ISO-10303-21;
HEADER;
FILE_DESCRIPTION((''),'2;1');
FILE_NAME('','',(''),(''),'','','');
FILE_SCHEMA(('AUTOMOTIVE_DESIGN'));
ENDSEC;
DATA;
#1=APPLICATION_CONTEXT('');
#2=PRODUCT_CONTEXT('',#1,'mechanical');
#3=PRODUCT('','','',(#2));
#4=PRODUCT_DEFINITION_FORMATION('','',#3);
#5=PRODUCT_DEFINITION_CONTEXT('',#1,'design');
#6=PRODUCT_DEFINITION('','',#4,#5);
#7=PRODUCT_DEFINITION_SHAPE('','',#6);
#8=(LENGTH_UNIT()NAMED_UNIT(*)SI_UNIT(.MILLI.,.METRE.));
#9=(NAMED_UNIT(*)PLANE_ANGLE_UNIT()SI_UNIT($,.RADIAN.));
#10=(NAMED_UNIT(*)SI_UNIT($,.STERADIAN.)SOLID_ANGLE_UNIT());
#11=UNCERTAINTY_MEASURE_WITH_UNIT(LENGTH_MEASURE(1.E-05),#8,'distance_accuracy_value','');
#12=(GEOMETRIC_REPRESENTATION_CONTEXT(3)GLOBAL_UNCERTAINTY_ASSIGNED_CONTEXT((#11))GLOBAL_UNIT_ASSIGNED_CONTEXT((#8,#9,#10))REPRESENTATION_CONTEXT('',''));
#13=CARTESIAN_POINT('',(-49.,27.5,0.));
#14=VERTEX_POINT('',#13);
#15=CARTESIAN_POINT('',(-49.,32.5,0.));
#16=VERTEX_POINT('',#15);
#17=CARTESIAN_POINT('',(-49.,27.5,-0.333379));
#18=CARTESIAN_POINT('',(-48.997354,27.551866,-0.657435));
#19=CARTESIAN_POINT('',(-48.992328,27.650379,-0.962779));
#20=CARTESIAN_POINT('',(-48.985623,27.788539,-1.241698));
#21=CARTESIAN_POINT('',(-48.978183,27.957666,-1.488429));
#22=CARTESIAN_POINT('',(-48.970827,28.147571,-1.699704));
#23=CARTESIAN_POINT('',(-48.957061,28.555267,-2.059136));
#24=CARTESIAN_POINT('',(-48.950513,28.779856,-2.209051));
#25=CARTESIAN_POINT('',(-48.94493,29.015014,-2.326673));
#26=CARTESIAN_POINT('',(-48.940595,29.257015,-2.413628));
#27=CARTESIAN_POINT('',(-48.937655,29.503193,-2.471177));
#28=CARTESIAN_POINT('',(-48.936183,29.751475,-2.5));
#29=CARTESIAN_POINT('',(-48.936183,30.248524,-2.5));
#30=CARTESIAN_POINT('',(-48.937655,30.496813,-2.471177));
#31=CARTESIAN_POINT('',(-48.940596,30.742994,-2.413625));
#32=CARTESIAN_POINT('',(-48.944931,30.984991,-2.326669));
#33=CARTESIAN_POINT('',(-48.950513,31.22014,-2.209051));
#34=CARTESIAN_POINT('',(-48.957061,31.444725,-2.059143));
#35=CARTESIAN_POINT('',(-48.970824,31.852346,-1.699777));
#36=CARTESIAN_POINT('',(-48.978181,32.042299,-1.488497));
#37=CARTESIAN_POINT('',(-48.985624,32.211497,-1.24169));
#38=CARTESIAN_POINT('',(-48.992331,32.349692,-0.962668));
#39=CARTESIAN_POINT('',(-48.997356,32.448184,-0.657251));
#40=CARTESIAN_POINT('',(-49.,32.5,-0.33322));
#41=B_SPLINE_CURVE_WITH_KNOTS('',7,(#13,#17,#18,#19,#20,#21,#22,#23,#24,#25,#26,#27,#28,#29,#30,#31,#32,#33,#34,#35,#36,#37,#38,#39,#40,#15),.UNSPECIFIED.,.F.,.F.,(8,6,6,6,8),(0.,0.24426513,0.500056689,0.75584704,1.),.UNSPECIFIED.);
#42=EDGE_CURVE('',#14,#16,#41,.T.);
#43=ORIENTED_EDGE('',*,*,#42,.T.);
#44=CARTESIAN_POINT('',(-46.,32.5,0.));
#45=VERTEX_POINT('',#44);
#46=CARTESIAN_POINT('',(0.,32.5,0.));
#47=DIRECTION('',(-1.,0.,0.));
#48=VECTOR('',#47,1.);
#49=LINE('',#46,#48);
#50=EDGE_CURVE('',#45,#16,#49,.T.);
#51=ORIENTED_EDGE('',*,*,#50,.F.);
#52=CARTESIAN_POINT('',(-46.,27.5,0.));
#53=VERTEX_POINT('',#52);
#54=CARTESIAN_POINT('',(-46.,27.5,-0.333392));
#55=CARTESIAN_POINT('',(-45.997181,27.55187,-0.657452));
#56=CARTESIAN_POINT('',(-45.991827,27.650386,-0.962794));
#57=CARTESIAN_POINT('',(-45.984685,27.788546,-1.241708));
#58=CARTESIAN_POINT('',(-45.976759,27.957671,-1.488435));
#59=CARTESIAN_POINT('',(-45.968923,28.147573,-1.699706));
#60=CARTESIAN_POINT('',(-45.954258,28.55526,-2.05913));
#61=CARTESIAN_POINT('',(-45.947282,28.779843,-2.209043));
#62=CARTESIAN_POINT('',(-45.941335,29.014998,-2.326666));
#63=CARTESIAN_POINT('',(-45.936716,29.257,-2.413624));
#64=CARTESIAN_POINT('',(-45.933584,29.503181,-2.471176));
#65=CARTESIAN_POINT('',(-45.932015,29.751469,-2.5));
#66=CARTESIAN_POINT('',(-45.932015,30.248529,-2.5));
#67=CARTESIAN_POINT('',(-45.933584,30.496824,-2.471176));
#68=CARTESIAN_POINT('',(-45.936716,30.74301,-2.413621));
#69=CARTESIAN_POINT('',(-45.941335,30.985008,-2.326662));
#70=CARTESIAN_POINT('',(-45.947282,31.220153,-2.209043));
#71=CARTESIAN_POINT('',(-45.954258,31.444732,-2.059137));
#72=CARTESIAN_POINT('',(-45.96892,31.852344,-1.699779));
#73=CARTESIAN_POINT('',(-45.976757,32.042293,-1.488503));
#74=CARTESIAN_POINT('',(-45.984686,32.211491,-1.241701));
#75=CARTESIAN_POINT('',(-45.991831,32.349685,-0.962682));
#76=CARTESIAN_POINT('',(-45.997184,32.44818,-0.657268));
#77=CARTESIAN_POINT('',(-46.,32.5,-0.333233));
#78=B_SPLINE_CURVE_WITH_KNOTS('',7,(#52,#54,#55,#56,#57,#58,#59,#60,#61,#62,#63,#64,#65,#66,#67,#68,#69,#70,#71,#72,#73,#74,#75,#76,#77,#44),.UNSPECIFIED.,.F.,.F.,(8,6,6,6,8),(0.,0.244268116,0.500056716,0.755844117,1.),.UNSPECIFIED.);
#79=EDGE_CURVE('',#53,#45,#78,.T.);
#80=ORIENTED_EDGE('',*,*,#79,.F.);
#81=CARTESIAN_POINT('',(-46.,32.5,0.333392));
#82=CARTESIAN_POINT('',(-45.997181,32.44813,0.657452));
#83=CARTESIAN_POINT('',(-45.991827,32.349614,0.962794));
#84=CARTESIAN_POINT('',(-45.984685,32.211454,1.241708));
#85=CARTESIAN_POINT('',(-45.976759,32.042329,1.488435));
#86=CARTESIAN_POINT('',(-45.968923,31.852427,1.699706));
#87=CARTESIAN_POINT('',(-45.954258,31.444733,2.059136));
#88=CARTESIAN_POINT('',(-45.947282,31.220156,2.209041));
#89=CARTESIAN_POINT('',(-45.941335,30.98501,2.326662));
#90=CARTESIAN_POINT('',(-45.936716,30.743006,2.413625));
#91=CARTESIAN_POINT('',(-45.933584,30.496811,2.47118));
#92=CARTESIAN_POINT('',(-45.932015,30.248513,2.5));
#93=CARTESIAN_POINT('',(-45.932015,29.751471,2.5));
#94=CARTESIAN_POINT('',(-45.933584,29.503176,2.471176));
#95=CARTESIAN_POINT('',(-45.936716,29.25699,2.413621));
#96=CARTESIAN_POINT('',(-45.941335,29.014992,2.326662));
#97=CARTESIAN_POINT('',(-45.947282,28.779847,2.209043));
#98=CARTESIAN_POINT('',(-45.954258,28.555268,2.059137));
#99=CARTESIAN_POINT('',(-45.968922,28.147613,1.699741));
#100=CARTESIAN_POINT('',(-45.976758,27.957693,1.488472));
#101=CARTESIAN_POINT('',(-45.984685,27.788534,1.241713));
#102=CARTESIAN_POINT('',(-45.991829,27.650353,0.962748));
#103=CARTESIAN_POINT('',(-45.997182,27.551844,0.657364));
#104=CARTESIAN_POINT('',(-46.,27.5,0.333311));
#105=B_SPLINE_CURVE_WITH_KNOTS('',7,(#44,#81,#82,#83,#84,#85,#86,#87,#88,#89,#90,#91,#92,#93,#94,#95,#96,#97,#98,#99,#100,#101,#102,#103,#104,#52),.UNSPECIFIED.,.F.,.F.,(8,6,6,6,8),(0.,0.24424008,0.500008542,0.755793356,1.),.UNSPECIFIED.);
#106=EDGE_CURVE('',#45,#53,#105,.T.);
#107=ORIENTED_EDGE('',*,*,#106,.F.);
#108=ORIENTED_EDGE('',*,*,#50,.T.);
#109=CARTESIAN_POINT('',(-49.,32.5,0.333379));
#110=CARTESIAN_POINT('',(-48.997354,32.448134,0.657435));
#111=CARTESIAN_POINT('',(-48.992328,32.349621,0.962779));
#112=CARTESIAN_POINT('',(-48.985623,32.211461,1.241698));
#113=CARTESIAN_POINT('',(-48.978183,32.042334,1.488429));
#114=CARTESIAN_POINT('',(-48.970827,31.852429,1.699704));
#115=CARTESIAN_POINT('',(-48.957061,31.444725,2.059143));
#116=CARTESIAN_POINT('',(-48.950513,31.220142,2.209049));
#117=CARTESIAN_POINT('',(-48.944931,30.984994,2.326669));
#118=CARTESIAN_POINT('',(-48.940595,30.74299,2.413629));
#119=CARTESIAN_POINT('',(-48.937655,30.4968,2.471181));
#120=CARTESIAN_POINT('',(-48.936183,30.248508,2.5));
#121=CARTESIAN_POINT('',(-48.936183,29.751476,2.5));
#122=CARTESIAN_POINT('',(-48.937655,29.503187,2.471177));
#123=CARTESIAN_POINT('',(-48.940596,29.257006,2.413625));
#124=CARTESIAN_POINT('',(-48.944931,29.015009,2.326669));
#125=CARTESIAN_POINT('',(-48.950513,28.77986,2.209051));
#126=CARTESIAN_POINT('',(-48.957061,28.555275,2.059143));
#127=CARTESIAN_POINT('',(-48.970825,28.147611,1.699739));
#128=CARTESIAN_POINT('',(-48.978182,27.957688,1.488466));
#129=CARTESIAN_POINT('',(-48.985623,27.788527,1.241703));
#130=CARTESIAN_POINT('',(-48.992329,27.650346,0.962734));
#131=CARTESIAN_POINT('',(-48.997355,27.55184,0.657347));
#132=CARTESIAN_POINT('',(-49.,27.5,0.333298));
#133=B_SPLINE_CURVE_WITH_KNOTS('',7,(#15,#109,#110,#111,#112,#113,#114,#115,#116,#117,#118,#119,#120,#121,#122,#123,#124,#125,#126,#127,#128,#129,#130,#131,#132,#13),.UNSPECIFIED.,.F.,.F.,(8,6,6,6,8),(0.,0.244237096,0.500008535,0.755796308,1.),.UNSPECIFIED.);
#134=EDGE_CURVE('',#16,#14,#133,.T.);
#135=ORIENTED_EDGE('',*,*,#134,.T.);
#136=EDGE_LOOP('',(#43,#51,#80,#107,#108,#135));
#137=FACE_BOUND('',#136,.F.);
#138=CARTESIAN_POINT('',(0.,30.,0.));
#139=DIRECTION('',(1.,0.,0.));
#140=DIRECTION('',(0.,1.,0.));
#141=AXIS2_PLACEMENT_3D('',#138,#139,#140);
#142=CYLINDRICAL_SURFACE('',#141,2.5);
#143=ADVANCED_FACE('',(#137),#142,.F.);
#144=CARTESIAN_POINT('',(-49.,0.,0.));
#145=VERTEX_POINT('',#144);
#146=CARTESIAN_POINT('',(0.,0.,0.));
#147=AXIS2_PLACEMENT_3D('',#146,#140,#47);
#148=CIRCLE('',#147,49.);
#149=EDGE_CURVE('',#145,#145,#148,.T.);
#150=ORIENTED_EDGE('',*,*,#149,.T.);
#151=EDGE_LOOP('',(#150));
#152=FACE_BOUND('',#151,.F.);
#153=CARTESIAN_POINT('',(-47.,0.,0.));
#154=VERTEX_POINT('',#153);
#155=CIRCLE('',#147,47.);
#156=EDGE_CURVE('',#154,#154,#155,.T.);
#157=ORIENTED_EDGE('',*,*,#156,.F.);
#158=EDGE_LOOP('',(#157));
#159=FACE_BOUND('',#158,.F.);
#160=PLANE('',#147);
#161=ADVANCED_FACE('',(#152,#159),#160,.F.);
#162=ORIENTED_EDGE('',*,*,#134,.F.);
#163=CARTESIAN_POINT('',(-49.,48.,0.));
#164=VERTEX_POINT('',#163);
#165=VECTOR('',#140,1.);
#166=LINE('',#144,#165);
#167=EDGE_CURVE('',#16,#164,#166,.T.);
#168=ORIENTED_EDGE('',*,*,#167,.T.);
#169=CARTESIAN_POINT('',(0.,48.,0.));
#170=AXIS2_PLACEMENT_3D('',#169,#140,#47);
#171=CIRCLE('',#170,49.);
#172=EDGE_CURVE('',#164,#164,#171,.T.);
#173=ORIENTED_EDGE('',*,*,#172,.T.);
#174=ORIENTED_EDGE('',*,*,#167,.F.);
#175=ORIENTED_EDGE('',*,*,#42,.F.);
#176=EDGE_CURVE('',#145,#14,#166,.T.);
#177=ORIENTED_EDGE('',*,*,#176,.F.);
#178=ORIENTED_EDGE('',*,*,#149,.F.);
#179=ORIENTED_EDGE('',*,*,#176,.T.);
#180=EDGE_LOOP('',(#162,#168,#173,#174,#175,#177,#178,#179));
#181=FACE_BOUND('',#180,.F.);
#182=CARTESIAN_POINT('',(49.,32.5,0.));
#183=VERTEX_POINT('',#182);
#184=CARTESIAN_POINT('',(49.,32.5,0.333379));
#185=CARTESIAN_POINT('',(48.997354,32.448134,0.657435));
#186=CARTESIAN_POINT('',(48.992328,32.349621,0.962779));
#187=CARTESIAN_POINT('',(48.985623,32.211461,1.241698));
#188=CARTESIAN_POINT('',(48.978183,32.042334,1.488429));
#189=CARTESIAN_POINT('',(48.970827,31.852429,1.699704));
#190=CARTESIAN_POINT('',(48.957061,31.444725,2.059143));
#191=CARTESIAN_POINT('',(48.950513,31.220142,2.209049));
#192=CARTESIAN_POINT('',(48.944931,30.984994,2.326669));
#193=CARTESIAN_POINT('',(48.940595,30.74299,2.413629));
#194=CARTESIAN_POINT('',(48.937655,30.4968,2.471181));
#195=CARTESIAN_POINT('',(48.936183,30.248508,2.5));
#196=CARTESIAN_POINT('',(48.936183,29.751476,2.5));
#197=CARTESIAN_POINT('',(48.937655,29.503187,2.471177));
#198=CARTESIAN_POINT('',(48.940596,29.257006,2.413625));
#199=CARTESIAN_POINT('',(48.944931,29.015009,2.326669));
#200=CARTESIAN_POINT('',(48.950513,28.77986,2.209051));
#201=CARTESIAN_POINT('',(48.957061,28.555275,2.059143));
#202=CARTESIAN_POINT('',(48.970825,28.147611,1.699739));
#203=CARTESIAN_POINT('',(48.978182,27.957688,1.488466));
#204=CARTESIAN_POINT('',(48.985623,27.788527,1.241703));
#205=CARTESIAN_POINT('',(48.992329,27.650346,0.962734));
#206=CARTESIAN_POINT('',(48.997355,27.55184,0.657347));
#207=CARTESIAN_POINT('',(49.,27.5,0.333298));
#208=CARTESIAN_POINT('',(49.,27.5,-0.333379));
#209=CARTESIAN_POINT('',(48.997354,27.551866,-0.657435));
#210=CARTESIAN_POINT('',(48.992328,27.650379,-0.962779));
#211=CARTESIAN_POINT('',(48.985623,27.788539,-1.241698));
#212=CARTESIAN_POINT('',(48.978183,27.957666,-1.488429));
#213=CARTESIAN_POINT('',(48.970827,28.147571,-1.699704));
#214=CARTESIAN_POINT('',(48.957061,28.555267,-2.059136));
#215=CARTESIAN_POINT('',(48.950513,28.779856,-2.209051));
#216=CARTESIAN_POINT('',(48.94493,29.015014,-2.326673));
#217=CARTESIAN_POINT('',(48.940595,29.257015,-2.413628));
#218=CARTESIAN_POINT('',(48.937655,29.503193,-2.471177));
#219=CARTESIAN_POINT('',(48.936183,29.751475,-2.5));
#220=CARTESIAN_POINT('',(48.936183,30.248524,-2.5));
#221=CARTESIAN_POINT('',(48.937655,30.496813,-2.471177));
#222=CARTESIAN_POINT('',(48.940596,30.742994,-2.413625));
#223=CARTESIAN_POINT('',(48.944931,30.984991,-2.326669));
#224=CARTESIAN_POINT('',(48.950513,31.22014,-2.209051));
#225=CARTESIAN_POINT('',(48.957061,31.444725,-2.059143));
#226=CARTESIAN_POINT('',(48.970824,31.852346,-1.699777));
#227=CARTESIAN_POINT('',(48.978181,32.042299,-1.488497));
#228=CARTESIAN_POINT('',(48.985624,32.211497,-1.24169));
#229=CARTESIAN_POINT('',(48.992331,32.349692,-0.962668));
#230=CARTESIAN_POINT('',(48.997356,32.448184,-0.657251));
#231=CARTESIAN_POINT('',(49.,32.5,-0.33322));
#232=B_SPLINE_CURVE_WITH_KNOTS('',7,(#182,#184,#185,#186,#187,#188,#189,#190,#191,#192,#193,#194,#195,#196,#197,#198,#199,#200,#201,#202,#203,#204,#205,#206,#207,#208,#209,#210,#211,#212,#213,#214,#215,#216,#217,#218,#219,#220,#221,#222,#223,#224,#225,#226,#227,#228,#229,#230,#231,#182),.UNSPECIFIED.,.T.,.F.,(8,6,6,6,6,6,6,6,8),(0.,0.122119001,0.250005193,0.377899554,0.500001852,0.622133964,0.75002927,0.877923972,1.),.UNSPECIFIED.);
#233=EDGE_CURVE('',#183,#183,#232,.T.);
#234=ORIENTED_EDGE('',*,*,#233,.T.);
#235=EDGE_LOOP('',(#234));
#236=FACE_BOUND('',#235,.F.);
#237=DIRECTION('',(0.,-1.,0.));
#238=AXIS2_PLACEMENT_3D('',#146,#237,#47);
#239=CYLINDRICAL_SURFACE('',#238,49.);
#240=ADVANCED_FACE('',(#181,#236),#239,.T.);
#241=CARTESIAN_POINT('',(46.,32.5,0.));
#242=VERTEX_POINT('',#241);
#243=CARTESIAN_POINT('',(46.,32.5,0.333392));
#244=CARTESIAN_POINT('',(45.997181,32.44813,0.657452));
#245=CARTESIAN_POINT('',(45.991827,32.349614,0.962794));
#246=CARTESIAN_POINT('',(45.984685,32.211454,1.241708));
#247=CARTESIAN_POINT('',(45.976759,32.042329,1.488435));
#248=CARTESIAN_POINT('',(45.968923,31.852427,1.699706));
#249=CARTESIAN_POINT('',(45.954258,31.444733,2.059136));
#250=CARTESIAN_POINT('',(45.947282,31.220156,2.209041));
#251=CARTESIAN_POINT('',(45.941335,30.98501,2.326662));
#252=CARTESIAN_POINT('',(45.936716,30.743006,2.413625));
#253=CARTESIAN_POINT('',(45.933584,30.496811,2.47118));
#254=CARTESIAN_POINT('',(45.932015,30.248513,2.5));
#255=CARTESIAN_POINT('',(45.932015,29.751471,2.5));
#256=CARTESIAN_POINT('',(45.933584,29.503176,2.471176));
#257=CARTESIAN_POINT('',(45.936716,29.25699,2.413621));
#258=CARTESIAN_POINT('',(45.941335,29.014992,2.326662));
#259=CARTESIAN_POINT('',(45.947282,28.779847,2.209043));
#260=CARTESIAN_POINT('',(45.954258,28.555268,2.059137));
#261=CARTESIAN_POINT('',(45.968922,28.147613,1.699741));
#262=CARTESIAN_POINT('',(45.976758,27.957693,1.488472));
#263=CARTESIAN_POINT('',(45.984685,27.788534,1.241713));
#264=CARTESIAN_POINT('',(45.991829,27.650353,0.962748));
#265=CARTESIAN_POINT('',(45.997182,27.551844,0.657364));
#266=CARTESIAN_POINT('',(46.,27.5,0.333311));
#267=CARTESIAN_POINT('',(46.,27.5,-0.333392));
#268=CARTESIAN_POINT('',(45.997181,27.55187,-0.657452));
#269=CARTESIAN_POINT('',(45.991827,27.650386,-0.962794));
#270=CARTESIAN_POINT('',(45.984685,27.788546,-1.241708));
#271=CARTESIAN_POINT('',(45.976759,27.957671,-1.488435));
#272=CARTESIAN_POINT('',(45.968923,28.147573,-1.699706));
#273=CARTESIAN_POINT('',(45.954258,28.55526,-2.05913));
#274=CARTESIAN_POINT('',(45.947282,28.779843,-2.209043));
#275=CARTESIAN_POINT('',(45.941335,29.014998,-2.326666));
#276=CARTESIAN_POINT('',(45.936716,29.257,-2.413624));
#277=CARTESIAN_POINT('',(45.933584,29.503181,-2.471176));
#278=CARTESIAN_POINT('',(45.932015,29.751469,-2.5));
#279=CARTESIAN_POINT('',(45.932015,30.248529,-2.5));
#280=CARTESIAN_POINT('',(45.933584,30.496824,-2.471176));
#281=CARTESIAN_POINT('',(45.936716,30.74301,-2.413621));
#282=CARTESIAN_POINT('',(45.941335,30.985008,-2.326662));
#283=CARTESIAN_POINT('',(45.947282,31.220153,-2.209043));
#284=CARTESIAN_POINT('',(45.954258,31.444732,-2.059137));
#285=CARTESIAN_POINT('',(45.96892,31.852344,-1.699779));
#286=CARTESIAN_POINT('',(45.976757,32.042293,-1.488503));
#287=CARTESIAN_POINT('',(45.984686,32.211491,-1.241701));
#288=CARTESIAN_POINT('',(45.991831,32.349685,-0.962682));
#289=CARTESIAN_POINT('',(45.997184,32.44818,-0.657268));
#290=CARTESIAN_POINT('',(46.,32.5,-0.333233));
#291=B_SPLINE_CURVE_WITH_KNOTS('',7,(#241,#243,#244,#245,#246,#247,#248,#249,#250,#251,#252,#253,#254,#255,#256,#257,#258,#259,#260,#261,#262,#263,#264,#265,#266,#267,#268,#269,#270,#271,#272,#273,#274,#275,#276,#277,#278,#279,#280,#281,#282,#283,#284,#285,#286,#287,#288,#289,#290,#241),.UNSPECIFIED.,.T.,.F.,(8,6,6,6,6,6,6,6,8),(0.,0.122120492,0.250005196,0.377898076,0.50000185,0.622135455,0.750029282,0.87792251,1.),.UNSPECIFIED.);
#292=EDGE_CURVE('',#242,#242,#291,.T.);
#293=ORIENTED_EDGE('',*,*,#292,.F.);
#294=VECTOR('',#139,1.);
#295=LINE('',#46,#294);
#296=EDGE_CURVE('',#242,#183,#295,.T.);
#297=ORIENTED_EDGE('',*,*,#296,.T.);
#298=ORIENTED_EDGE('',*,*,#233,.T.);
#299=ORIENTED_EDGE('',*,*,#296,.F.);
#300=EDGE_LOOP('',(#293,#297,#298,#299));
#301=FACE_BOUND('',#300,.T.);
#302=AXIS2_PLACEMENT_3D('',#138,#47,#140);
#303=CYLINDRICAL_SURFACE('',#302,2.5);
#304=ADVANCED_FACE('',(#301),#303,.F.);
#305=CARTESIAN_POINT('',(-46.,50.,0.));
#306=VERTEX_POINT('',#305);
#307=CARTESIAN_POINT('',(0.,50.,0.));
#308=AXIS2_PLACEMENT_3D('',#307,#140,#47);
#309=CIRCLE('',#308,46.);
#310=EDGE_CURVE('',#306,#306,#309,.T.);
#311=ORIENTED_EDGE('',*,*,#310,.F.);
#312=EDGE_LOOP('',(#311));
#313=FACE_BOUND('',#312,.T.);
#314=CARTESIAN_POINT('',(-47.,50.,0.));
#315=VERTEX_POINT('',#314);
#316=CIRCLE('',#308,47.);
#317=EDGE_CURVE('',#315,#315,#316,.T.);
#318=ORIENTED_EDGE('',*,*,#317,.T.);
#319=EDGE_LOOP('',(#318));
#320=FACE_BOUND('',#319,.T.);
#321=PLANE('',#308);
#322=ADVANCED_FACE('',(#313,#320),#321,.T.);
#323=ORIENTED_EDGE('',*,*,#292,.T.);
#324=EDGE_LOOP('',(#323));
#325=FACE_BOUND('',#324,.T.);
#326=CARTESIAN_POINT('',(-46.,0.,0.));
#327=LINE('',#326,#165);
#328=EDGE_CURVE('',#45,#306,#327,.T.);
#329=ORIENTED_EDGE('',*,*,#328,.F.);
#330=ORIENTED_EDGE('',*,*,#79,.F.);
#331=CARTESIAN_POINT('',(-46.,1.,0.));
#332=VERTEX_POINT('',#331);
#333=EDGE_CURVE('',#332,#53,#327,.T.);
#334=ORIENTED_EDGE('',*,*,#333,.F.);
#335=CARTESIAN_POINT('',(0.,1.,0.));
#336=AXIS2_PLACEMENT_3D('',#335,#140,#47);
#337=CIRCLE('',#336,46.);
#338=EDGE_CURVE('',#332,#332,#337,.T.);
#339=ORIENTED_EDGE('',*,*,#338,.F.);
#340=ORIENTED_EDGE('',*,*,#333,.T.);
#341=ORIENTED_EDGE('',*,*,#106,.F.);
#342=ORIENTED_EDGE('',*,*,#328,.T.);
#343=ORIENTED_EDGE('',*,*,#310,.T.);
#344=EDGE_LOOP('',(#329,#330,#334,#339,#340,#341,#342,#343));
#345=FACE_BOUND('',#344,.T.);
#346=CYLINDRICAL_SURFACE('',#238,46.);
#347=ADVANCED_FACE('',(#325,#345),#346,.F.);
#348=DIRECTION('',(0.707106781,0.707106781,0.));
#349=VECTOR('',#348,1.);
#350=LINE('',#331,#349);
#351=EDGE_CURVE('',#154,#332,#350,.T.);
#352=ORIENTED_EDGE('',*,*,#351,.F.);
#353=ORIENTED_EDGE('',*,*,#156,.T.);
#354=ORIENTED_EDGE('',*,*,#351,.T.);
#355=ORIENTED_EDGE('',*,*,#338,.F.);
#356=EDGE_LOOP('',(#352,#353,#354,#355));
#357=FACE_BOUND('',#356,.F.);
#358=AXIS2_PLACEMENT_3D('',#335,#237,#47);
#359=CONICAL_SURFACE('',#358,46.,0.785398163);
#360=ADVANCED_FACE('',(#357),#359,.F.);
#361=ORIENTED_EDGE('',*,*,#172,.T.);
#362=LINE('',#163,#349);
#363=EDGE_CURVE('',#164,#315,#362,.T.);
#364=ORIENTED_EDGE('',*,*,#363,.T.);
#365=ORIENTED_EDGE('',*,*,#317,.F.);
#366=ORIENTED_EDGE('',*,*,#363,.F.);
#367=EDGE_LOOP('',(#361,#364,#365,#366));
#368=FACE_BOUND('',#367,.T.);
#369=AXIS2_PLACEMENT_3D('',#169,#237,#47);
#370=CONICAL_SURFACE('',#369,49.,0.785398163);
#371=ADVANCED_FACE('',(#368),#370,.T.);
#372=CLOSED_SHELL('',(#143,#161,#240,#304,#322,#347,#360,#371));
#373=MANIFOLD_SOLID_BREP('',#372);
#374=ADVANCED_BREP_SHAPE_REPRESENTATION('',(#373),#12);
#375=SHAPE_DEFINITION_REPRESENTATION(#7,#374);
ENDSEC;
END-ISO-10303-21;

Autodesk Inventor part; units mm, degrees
ref_plane "YZ Plane" through (0, 0, 0) normal (1, 0, 0) x (0, 1, 0)
ref_plane "XZ Plane" through (0, 0, 0) normal (0, 1, 0) x (-1, 0, 0)
ref_plane "XY Plane" through (0, 0, 0) normal (0, 0, 1) x (1, 0, 0)
sketch "Sketch1" plane through (0, 0, 0) normal (0, 1, 0) x (-1, 0, 0)
  circle A0 centre (0, 0) radius 46
  circle A1 centre (0, 0) radius 49
  dimension "d0" = 92
  dimension "d1" = 98
extrude "Extrusion1" add sketch "Sketch1" along normal blind 50
chamfer "Chamfer1" distance 2 angle 45 1 edges at (49, 50, 0)
chamfer "Chamfer2" distance 1 angle 45 1 edges at (46, 0, 0)
sketch "Sketch2" plane through (0, 0, 0) normal (1, 0, 0) x (0, 1, 0)
  circle A0 centre (30, 0) radius 2.5
  line L0 (50, 46) -> (50, -46) projected
  point P0 (0, 0)
  dimension "d10" = 5
  dimension "d11" = 20
extrude "Extrusion2" cut sketch "Sketch2" along normal through all both and the other way through all
properties part number "HubSparHole90"
